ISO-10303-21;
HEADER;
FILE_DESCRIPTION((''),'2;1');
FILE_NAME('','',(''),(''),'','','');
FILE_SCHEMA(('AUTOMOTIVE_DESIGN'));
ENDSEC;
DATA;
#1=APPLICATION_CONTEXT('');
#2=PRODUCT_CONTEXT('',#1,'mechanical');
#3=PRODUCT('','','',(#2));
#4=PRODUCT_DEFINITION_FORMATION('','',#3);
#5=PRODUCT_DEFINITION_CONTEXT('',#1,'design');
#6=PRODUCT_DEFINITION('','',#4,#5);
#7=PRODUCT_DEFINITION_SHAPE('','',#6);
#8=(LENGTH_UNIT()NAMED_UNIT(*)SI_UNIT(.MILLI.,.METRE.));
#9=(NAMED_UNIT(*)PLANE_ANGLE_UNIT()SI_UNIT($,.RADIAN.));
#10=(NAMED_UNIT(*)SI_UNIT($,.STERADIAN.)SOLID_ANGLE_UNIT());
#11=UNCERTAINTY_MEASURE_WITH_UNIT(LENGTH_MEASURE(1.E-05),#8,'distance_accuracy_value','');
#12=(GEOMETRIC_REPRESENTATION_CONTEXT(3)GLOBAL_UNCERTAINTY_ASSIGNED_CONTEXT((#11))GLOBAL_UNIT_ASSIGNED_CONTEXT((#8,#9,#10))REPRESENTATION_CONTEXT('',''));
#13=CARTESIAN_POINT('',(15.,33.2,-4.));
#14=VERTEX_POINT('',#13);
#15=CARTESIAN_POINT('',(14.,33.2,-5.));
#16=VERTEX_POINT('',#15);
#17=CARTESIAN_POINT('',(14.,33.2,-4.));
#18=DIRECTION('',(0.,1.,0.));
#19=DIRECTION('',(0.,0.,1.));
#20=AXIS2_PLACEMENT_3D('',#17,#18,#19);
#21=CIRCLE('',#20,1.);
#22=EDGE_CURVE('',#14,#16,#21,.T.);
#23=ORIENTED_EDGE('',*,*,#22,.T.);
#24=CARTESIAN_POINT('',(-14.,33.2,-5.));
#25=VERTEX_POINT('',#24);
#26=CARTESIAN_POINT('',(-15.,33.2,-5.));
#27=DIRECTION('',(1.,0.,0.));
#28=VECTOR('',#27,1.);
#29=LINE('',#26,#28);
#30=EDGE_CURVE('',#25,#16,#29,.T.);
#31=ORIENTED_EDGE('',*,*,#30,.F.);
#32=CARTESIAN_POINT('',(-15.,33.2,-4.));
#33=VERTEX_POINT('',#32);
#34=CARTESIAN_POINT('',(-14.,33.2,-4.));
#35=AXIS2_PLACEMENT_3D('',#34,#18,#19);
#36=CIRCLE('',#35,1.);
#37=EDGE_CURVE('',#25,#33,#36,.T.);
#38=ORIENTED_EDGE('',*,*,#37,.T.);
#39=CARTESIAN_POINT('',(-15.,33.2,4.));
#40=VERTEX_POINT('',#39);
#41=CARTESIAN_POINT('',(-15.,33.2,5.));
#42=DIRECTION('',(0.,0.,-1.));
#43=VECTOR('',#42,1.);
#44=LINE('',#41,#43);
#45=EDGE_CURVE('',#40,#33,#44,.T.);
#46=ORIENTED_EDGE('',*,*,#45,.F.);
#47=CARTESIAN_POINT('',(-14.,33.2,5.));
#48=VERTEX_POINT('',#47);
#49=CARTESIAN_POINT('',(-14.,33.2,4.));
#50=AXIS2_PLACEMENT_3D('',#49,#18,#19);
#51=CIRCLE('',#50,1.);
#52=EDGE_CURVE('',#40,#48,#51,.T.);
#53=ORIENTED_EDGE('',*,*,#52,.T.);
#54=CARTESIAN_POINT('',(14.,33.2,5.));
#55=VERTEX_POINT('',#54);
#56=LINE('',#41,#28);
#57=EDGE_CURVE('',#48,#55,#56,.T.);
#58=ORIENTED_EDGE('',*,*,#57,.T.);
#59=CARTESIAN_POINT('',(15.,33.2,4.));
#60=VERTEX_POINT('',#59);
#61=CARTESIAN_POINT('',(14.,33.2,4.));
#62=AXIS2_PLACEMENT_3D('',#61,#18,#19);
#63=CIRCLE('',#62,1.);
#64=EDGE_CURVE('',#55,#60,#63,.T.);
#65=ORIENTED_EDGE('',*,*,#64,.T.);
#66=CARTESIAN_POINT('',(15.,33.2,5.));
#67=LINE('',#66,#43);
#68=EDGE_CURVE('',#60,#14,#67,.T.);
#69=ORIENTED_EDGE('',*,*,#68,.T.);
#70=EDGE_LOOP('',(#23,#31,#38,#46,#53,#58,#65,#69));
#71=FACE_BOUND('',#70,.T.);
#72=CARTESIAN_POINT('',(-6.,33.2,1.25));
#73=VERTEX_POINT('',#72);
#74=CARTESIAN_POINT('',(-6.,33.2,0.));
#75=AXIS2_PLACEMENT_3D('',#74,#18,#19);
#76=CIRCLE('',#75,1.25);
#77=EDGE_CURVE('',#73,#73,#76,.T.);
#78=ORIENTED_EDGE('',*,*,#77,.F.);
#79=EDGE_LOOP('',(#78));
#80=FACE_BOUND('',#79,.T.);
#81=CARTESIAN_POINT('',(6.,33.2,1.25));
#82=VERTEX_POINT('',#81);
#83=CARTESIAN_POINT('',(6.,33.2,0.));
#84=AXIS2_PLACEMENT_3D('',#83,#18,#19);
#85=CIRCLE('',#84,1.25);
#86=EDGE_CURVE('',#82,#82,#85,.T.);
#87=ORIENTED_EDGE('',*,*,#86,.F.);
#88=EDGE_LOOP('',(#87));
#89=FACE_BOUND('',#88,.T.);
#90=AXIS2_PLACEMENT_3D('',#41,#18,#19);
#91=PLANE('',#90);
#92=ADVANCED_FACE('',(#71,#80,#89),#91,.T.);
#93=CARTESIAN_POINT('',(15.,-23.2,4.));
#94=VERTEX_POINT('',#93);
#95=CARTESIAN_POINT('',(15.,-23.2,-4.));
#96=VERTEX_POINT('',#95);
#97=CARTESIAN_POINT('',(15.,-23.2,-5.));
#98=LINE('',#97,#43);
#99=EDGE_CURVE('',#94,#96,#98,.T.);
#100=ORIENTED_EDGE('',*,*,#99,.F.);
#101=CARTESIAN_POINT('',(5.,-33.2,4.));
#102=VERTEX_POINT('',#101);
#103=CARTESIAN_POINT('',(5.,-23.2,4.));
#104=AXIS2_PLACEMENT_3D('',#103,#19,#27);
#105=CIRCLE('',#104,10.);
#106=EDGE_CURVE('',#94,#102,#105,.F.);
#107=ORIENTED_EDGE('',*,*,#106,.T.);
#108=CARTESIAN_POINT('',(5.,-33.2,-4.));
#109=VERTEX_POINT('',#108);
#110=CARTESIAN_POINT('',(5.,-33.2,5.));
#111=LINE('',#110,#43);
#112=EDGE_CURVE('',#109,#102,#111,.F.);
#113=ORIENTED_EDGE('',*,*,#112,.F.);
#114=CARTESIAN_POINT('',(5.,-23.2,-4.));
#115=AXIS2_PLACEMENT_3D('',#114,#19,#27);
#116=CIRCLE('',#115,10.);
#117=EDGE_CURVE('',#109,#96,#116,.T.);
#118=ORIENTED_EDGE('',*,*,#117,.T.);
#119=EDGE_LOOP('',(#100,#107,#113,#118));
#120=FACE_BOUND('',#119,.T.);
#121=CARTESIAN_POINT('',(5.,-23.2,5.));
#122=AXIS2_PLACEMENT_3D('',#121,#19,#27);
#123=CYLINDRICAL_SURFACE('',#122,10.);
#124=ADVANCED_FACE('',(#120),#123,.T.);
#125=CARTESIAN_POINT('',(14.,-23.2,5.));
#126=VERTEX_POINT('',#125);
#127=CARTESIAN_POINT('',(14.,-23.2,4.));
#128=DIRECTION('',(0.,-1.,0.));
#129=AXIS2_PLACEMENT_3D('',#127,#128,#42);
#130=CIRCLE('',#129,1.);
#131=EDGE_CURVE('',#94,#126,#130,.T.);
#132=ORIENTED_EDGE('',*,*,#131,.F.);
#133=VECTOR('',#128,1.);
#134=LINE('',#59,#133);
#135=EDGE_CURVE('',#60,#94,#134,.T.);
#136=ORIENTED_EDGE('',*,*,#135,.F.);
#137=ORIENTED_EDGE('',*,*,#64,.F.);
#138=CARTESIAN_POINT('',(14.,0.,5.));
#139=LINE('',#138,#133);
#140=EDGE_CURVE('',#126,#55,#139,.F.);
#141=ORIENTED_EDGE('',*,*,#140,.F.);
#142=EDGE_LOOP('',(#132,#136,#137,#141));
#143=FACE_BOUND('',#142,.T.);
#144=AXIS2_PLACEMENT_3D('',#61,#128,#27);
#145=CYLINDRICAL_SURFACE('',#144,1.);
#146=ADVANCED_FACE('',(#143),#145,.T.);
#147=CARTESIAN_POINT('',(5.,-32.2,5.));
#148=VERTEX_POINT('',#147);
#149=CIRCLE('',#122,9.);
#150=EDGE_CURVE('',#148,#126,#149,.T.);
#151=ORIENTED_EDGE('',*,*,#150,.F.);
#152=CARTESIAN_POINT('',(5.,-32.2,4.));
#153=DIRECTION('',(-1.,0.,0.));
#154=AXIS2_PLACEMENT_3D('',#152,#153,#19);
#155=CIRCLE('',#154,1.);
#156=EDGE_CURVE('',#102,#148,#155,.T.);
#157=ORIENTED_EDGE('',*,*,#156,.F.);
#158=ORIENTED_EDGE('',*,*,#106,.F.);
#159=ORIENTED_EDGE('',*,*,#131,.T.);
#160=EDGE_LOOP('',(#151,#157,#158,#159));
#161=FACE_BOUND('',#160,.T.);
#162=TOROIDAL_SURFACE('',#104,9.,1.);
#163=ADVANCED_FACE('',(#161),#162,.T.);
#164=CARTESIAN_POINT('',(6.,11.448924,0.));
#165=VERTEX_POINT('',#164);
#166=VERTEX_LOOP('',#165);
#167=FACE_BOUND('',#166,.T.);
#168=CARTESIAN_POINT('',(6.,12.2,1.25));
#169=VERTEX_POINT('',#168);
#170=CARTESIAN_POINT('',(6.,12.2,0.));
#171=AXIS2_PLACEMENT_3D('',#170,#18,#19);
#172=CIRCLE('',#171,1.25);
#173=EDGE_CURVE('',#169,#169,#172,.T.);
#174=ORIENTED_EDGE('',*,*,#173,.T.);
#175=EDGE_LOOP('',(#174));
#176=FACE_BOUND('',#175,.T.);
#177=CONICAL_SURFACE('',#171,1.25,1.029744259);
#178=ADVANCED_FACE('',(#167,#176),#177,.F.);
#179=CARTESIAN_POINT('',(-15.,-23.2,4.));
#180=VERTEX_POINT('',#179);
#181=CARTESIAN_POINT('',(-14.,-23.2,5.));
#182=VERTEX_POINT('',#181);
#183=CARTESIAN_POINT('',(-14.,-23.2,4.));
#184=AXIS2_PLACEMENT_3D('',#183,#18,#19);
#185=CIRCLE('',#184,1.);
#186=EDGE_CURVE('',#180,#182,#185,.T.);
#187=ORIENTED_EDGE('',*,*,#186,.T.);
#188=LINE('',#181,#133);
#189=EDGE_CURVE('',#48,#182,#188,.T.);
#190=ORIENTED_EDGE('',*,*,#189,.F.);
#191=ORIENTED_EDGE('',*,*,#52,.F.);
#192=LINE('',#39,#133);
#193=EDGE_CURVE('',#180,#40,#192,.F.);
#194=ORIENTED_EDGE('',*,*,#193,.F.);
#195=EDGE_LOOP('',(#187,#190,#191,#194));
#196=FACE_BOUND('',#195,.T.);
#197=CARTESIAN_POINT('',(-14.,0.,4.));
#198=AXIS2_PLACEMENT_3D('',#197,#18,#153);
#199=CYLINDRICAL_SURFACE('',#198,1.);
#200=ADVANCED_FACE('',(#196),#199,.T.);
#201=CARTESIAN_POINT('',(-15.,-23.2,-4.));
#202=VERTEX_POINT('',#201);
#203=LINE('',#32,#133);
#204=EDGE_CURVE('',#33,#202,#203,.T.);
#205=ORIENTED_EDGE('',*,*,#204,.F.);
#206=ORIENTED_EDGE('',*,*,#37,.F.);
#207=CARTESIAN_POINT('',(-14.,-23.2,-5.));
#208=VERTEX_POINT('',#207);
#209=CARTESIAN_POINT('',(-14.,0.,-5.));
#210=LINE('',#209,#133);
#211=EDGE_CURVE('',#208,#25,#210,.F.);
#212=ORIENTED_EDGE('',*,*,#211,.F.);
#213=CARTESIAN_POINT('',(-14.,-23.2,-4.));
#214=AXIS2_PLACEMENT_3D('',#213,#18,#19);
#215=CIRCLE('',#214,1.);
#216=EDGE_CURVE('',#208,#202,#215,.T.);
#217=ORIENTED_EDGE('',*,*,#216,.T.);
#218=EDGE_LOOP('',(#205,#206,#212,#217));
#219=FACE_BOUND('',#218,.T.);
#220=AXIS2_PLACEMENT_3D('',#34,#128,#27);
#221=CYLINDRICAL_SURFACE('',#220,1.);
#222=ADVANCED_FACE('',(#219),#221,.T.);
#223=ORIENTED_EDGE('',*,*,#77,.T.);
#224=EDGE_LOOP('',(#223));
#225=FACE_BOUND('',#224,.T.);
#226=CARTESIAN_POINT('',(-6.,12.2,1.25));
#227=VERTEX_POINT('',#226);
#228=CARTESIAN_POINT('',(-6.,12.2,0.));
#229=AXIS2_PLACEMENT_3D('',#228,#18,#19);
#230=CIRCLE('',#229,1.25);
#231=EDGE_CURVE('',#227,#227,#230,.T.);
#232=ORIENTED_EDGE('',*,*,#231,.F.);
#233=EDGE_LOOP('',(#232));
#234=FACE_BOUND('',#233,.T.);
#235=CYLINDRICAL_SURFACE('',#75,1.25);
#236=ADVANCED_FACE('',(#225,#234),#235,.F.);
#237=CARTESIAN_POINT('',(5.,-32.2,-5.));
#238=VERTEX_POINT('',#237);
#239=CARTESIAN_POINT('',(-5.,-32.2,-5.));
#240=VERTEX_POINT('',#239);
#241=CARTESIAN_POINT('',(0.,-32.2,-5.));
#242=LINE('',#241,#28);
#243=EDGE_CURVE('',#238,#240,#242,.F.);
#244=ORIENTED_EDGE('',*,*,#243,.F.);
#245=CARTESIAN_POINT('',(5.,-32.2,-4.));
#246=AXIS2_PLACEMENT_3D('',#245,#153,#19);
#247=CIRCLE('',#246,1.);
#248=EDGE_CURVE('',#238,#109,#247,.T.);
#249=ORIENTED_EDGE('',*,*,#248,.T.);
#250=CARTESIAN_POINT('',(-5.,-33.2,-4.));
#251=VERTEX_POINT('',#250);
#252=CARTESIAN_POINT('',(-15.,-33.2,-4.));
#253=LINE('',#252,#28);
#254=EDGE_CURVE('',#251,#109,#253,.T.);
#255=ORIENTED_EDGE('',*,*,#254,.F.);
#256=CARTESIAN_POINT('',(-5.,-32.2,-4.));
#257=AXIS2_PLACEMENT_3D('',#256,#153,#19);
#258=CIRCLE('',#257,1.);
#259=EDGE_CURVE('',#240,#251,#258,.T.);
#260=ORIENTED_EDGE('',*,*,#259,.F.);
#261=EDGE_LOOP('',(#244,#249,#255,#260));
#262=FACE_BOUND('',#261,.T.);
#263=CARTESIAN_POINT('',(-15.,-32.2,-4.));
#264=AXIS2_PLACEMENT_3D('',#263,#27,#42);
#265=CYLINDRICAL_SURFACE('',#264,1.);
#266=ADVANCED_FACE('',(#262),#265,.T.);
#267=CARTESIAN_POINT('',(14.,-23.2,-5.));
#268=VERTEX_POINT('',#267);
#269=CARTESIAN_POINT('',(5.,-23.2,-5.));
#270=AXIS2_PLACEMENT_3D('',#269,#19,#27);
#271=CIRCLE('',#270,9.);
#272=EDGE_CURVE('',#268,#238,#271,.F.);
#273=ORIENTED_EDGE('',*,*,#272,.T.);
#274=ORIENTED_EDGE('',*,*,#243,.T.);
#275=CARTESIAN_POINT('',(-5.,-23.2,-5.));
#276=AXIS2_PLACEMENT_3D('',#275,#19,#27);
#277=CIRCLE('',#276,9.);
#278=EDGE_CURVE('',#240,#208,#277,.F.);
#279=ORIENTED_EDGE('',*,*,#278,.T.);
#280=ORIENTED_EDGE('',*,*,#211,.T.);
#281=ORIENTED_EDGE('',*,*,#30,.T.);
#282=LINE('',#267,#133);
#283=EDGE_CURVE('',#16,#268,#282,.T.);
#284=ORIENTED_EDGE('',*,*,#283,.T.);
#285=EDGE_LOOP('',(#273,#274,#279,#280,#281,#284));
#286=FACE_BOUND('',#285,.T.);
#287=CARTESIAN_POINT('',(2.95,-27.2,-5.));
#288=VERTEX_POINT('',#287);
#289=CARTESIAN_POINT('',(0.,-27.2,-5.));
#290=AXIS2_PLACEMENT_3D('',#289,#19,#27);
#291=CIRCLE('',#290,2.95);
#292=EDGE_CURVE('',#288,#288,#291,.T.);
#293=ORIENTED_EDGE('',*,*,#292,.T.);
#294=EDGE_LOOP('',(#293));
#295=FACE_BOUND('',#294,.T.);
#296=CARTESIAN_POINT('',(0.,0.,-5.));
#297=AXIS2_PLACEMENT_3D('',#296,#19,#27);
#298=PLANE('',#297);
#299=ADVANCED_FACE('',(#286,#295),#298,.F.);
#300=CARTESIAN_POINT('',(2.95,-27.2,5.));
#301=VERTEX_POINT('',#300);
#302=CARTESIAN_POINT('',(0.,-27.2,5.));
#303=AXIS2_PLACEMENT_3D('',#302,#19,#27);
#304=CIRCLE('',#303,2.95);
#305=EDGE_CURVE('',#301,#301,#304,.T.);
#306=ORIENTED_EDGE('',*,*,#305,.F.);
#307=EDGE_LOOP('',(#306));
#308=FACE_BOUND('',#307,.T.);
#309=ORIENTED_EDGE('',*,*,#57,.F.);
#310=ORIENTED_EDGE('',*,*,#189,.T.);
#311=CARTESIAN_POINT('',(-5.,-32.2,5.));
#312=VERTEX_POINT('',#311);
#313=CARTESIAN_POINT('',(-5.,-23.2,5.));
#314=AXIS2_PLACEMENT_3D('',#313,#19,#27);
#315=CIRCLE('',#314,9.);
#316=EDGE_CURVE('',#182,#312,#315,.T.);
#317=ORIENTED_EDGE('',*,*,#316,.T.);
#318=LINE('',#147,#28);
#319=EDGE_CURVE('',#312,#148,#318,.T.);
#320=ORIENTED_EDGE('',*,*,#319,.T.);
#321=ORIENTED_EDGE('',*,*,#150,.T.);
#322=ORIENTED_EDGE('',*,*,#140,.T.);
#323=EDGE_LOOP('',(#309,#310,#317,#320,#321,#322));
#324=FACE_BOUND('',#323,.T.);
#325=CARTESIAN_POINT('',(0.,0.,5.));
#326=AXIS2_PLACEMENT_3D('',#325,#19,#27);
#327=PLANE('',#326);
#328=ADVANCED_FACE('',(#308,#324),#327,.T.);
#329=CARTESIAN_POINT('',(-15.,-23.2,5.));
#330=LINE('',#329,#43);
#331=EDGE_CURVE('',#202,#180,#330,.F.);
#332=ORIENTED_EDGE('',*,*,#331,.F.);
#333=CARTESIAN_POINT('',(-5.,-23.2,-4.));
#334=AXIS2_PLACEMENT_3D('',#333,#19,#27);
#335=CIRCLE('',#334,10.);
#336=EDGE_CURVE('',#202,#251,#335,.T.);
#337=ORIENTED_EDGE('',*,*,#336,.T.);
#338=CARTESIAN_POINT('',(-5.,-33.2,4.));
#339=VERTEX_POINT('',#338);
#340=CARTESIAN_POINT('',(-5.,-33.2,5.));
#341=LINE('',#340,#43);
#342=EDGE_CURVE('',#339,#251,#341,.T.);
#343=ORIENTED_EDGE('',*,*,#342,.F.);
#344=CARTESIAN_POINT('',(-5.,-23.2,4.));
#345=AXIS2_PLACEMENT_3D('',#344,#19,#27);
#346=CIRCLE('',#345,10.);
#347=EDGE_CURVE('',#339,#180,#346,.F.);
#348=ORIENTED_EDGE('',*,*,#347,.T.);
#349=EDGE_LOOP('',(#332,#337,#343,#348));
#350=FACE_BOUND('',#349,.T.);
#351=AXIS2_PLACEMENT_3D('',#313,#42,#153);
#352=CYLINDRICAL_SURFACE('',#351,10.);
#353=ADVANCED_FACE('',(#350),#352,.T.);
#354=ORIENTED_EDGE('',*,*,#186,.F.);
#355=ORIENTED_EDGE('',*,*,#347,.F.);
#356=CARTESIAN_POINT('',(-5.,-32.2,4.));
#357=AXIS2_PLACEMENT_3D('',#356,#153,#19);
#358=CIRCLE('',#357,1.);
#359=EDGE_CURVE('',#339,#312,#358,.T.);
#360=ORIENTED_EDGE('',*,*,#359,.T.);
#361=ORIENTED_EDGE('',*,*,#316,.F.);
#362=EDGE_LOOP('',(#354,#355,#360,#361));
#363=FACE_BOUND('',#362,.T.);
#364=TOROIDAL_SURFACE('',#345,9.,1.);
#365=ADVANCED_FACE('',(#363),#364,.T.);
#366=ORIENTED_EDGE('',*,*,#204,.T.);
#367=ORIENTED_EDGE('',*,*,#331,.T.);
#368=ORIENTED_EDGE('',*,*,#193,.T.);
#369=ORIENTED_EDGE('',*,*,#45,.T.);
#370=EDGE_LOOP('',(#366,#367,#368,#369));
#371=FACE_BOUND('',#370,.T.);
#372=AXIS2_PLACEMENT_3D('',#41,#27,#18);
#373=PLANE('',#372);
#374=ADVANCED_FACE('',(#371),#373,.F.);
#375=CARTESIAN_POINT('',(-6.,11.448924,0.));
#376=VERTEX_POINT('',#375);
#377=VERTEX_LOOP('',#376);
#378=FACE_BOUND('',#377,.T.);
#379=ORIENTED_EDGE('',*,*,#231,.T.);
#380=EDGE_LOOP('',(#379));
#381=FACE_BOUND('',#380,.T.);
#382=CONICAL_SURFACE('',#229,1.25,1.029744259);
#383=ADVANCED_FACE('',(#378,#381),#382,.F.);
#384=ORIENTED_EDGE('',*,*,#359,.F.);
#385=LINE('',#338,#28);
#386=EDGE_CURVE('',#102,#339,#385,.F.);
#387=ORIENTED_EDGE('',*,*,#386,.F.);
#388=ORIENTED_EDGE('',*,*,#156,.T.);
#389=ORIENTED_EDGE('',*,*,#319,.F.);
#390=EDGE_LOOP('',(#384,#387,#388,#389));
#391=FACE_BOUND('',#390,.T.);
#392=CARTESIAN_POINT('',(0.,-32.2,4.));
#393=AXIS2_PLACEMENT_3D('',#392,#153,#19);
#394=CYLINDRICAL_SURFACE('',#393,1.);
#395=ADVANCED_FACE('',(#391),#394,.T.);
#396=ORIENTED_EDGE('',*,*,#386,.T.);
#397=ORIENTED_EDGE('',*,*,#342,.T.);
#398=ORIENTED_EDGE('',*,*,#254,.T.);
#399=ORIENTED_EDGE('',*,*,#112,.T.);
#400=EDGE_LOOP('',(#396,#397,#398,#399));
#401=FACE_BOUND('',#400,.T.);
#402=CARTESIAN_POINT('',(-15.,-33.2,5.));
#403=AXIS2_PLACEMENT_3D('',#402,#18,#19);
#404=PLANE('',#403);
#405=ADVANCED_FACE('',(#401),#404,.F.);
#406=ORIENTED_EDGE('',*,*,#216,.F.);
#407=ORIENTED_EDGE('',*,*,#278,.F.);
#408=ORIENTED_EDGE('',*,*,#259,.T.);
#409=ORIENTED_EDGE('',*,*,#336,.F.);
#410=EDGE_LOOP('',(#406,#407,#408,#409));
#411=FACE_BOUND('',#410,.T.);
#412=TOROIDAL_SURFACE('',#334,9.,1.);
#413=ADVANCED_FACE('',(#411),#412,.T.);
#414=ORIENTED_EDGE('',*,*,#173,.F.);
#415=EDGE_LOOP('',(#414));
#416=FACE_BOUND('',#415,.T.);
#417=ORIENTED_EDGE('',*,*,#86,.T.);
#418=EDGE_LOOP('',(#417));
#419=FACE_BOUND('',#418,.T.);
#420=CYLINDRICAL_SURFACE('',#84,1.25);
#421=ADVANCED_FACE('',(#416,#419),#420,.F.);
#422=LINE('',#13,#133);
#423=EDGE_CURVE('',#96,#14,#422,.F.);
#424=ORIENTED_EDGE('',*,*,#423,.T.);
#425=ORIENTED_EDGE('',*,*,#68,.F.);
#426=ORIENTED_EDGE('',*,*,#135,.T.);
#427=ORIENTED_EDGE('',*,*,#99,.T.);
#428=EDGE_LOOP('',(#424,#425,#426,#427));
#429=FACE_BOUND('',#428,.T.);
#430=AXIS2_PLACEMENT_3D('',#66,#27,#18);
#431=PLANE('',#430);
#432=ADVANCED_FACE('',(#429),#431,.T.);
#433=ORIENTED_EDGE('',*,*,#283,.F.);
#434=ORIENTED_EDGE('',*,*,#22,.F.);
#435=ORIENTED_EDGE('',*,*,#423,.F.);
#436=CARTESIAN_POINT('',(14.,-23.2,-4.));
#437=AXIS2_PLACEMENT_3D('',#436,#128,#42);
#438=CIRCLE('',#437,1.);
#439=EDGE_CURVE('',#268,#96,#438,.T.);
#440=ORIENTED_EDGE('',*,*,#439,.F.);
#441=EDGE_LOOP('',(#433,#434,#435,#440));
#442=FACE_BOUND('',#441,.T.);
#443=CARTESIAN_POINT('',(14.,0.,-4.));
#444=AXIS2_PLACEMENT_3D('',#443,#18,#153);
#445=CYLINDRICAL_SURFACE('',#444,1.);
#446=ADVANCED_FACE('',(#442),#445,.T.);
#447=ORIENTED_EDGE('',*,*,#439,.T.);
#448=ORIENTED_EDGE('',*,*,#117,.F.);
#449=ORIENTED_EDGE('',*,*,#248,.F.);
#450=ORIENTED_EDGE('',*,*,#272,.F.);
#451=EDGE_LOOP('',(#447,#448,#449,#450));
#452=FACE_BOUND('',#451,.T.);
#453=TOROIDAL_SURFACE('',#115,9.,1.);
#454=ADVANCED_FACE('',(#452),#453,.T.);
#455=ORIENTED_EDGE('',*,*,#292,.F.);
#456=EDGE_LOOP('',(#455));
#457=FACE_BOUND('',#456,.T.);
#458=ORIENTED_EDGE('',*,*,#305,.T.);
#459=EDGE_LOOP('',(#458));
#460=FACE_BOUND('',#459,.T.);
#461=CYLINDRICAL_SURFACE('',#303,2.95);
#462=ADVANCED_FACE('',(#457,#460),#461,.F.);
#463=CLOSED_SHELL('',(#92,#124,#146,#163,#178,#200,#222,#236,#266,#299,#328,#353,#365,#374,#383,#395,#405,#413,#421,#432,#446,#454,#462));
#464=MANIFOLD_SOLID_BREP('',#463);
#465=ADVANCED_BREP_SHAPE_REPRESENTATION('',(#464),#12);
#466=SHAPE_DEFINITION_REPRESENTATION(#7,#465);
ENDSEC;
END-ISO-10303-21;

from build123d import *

# Parameters (mm, degrees)
SKETCH1_W                 = 30
SKETCH1_H                 = 66.4
BOSS_EXTRUDE1_DEPTH       = 5
F_6_0MM_DOWEL_HOLE1_D     = 5.9
M3X0_5_TAPPED_HOLE1_D     = 2.5
M3X0_5_TAPPED_HOLE1_DEPTH = 21
M3X0_5_TAPPED_HOLE1_TIP   = 0.751075774
FILLET1_R                 = 10
FILLET2_R                 = 1


with BuildPart() as part:
    # Sketch1 → Boss-Extrude1 (new body, symmetric)
    with BuildSketch(Plane.XY):
        Rectangle(SKETCH1_W, SKETCH1_H)
    extrude(amount=BOSS_EXTRUDE1_DEPTH, both=True)

    # Ø6.0mm Dowel Hole1 (through all)
    with Locations(Plane.XY.offset(5)):
        with Locations((0, -27.2)):
            Hole(F_6_0MM_DOWEL_HOLE1_D / 2)

    # M3x0.5 Tapped Hole1
    with Locations(Plane(origin=(0, 33.2, 0), x_dir=(1, 0, 0), z_dir=(0, 1, 0))):
        with Locations((-6, 0), (6, 0)):
            Hole(M3X0_5_TAPPED_HOLE1_D / 2, depth=M3X0_5_TAPPED_HOLE1_DEPTH)
            with Locations((0, 0, -(M3X0_5_TAPPED_HOLE1_DEPTH + M3X0_5_TAPPED_HOLE1_TIP / 2))):  # 118° drill point
                Cone(0, M3X0_5_TAPPED_HOLE1_D / 2, M3X0_5_TAPPED_HOLE1_TIP, mode=Mode.SUBTRACT)

    # Fillet1
    fillet1_edges = [part.edges().sort_by_distance(p)[0] for p in [
        (15, -33.2, 0),
        (-15, -33.2, 0),
    ]]
    fillet(fillet1_edges, radius=FILLET1_R)

    # Fillet2
    fillet2_edges = [part.edges().sort_by_distance(p)[0] for p in [
        (15, 5, 5),
        (0, -33.2, -5),
        (0, -33.2, 5),
        (12.071067812, -30.271067812, -5),
        (-12.071067812, -30.271067812, -5),
        (12.071067812, -30.271067812, 5),
        (-12.071067812, -30.271067812, 5),
        (-15, 5, 5),
        (15, 5, -5),
        (-15, 5, -5),
    ]]
    fillet(fillet2_edges, radius=FILLET2_R)


solid = part.part
